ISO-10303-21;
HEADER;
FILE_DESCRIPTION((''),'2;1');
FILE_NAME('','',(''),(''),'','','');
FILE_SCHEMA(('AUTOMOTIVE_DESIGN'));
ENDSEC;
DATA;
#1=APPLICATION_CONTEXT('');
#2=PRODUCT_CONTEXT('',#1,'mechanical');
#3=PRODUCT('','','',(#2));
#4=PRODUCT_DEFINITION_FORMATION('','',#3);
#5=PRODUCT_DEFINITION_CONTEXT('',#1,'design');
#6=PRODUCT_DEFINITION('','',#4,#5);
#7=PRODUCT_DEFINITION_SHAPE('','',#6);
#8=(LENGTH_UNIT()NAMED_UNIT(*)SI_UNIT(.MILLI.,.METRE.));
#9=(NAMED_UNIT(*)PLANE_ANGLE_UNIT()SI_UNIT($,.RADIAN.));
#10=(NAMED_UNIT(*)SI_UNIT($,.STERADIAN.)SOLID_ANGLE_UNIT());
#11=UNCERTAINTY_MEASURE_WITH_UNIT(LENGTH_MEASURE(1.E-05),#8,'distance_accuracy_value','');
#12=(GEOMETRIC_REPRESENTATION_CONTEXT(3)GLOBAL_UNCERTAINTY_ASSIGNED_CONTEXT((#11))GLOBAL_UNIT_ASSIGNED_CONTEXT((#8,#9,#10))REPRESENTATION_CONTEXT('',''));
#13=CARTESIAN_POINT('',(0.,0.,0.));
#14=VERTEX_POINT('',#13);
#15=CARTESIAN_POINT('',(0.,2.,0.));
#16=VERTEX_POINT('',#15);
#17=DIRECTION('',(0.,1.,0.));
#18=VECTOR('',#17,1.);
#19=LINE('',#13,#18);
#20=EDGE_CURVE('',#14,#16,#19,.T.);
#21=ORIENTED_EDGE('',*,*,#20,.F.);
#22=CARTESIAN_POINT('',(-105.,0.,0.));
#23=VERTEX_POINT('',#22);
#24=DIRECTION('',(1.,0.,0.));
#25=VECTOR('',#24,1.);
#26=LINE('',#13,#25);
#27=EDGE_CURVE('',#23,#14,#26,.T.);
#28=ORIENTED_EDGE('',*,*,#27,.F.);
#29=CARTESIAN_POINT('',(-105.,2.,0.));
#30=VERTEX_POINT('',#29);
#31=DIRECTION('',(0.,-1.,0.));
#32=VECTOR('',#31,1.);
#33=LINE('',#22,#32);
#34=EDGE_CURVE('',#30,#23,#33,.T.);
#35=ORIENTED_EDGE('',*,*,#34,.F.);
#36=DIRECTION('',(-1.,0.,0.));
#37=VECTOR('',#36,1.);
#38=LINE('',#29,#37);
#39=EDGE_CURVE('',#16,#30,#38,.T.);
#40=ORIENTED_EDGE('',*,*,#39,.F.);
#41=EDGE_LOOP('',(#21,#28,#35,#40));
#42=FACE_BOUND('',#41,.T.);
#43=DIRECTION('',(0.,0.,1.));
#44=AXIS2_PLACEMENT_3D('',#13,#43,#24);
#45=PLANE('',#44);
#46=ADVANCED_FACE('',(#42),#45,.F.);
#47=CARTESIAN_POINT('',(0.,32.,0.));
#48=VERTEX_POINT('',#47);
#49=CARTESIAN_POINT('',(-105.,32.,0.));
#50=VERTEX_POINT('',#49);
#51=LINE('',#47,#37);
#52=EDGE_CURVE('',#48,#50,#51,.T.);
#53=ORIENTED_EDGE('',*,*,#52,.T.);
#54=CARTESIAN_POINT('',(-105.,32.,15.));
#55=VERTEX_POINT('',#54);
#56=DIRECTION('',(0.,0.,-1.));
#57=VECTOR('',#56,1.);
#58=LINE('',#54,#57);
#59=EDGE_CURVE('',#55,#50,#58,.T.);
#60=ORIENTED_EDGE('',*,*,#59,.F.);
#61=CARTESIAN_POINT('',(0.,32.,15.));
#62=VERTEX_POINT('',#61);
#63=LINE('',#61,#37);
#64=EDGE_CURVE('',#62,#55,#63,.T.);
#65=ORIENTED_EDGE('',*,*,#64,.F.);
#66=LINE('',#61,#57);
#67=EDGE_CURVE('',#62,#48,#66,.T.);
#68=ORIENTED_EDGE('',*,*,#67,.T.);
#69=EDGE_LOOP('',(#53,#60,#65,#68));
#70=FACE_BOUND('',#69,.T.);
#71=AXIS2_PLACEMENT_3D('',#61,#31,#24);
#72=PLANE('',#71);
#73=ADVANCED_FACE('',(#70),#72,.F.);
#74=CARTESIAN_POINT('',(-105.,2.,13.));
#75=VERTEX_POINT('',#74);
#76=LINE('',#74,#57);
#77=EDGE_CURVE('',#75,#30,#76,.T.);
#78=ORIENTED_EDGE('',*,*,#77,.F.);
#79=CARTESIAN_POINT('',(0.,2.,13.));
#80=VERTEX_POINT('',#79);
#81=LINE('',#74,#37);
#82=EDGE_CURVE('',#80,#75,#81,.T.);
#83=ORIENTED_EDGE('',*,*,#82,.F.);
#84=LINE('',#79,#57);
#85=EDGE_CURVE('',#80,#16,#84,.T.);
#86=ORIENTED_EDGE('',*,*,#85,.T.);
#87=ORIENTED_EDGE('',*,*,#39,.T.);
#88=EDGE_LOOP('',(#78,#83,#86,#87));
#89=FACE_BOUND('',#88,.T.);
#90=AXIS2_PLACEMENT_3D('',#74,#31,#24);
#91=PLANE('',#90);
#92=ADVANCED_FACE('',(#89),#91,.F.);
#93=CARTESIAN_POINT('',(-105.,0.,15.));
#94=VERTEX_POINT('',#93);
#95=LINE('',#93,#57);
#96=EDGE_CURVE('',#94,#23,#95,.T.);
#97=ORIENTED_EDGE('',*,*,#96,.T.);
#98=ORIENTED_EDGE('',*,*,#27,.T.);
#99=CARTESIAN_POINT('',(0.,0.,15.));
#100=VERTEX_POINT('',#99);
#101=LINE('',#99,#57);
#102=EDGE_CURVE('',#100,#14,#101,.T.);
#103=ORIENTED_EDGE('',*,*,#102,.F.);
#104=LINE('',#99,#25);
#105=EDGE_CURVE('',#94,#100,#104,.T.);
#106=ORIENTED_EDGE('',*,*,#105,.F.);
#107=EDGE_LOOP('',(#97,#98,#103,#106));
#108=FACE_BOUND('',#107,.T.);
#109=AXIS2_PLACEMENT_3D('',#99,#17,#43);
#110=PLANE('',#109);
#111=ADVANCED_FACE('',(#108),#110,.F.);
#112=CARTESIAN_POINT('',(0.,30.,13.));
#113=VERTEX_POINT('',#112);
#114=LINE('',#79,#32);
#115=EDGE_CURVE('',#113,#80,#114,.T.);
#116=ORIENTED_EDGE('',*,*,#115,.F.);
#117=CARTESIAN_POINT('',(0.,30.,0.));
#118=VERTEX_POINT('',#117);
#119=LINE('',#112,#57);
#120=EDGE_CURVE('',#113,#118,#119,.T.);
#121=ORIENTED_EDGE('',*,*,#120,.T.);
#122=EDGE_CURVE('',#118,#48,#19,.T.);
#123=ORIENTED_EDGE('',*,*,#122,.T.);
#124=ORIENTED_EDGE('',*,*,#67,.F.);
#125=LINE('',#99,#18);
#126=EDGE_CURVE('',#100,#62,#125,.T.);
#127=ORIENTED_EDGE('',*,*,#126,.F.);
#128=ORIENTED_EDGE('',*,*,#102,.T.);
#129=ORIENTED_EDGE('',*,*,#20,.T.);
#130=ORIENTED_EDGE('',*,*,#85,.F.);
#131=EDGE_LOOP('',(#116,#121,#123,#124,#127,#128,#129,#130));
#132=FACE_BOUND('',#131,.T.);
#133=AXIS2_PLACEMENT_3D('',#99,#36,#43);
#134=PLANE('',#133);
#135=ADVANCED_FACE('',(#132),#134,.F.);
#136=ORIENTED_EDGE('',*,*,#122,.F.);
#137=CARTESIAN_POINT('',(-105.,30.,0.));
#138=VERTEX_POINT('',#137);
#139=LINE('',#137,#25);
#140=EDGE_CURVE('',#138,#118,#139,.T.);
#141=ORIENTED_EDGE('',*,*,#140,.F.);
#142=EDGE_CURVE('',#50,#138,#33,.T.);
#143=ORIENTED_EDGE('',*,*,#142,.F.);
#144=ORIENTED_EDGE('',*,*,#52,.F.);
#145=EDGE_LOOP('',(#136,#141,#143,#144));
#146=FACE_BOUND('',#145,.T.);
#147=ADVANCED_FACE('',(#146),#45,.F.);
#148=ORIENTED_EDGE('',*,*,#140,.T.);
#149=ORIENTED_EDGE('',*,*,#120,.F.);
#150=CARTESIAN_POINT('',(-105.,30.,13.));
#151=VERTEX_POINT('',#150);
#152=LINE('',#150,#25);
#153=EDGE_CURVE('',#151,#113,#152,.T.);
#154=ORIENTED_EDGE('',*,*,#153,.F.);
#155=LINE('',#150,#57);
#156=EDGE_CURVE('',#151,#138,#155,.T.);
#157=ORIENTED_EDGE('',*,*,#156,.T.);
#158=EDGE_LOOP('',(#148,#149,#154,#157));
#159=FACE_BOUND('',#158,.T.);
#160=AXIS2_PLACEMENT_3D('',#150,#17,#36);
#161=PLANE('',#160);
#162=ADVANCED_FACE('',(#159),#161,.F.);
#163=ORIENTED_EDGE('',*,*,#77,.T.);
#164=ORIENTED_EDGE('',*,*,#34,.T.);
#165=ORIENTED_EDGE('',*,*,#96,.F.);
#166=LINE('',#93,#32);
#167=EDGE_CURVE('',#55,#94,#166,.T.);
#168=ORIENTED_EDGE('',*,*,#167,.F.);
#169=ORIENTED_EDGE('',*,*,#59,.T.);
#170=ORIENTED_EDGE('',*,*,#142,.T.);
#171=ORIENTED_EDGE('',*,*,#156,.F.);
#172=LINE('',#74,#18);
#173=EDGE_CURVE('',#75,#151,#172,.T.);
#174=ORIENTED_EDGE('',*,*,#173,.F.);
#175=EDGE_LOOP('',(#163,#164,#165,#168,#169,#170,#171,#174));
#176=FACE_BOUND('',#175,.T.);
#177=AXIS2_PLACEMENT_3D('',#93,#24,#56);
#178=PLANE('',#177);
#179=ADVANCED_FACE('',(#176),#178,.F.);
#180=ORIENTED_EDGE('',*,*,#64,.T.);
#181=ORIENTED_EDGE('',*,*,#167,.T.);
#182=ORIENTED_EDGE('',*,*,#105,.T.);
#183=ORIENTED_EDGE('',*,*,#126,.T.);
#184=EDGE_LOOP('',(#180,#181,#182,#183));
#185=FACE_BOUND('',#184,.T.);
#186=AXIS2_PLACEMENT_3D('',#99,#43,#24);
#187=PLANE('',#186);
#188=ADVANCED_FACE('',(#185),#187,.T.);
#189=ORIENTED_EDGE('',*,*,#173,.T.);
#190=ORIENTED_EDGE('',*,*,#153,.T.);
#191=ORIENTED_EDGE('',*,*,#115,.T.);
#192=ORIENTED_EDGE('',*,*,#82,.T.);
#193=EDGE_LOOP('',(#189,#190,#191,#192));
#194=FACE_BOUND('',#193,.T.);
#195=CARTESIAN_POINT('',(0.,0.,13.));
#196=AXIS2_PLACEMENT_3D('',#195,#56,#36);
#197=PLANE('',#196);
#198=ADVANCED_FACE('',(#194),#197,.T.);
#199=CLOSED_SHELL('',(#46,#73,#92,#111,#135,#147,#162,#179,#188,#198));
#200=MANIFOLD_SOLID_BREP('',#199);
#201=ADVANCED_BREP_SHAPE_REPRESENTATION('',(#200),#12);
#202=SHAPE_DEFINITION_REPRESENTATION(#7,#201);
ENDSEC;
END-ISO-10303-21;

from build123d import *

# Parameters (mm, degrees)
SKETCH_1_W          = 105
SKETCH_1_H          = 32
EXTRUDE_1_DEPTH     = 15
SKETCH_3_W          = 105
SKETCH_3_H          = 28
CUT_EXTRUDE_1_DEPTH = 13


with BuildPart() as part:
    # 草圖1 → 填料-伸長1 (new body)
    with BuildSketch(Plane.XY):
        with Locations((-52.5, 16)):
            Rectangle(SKETCH_1_W, SKETCH_1_H)
    extrude(amount=EXTRUDE_1_DEPTH)

    # 草圖3 → 除料-伸長1 (cut)
    with BuildSketch(Plane(origin=(0, 0, 0), x_dir=(-1, 0, 0), z_dir=(0, 0, -1))):
        with Locations((52.5, 16)):
            Rectangle(SKETCH_3_W, SKETCH_3_H)
    extrude(amount=-CUT_EXTRUDE_1_DEPTH, mode=Mode.SUBTRACT)


solid = part.part
